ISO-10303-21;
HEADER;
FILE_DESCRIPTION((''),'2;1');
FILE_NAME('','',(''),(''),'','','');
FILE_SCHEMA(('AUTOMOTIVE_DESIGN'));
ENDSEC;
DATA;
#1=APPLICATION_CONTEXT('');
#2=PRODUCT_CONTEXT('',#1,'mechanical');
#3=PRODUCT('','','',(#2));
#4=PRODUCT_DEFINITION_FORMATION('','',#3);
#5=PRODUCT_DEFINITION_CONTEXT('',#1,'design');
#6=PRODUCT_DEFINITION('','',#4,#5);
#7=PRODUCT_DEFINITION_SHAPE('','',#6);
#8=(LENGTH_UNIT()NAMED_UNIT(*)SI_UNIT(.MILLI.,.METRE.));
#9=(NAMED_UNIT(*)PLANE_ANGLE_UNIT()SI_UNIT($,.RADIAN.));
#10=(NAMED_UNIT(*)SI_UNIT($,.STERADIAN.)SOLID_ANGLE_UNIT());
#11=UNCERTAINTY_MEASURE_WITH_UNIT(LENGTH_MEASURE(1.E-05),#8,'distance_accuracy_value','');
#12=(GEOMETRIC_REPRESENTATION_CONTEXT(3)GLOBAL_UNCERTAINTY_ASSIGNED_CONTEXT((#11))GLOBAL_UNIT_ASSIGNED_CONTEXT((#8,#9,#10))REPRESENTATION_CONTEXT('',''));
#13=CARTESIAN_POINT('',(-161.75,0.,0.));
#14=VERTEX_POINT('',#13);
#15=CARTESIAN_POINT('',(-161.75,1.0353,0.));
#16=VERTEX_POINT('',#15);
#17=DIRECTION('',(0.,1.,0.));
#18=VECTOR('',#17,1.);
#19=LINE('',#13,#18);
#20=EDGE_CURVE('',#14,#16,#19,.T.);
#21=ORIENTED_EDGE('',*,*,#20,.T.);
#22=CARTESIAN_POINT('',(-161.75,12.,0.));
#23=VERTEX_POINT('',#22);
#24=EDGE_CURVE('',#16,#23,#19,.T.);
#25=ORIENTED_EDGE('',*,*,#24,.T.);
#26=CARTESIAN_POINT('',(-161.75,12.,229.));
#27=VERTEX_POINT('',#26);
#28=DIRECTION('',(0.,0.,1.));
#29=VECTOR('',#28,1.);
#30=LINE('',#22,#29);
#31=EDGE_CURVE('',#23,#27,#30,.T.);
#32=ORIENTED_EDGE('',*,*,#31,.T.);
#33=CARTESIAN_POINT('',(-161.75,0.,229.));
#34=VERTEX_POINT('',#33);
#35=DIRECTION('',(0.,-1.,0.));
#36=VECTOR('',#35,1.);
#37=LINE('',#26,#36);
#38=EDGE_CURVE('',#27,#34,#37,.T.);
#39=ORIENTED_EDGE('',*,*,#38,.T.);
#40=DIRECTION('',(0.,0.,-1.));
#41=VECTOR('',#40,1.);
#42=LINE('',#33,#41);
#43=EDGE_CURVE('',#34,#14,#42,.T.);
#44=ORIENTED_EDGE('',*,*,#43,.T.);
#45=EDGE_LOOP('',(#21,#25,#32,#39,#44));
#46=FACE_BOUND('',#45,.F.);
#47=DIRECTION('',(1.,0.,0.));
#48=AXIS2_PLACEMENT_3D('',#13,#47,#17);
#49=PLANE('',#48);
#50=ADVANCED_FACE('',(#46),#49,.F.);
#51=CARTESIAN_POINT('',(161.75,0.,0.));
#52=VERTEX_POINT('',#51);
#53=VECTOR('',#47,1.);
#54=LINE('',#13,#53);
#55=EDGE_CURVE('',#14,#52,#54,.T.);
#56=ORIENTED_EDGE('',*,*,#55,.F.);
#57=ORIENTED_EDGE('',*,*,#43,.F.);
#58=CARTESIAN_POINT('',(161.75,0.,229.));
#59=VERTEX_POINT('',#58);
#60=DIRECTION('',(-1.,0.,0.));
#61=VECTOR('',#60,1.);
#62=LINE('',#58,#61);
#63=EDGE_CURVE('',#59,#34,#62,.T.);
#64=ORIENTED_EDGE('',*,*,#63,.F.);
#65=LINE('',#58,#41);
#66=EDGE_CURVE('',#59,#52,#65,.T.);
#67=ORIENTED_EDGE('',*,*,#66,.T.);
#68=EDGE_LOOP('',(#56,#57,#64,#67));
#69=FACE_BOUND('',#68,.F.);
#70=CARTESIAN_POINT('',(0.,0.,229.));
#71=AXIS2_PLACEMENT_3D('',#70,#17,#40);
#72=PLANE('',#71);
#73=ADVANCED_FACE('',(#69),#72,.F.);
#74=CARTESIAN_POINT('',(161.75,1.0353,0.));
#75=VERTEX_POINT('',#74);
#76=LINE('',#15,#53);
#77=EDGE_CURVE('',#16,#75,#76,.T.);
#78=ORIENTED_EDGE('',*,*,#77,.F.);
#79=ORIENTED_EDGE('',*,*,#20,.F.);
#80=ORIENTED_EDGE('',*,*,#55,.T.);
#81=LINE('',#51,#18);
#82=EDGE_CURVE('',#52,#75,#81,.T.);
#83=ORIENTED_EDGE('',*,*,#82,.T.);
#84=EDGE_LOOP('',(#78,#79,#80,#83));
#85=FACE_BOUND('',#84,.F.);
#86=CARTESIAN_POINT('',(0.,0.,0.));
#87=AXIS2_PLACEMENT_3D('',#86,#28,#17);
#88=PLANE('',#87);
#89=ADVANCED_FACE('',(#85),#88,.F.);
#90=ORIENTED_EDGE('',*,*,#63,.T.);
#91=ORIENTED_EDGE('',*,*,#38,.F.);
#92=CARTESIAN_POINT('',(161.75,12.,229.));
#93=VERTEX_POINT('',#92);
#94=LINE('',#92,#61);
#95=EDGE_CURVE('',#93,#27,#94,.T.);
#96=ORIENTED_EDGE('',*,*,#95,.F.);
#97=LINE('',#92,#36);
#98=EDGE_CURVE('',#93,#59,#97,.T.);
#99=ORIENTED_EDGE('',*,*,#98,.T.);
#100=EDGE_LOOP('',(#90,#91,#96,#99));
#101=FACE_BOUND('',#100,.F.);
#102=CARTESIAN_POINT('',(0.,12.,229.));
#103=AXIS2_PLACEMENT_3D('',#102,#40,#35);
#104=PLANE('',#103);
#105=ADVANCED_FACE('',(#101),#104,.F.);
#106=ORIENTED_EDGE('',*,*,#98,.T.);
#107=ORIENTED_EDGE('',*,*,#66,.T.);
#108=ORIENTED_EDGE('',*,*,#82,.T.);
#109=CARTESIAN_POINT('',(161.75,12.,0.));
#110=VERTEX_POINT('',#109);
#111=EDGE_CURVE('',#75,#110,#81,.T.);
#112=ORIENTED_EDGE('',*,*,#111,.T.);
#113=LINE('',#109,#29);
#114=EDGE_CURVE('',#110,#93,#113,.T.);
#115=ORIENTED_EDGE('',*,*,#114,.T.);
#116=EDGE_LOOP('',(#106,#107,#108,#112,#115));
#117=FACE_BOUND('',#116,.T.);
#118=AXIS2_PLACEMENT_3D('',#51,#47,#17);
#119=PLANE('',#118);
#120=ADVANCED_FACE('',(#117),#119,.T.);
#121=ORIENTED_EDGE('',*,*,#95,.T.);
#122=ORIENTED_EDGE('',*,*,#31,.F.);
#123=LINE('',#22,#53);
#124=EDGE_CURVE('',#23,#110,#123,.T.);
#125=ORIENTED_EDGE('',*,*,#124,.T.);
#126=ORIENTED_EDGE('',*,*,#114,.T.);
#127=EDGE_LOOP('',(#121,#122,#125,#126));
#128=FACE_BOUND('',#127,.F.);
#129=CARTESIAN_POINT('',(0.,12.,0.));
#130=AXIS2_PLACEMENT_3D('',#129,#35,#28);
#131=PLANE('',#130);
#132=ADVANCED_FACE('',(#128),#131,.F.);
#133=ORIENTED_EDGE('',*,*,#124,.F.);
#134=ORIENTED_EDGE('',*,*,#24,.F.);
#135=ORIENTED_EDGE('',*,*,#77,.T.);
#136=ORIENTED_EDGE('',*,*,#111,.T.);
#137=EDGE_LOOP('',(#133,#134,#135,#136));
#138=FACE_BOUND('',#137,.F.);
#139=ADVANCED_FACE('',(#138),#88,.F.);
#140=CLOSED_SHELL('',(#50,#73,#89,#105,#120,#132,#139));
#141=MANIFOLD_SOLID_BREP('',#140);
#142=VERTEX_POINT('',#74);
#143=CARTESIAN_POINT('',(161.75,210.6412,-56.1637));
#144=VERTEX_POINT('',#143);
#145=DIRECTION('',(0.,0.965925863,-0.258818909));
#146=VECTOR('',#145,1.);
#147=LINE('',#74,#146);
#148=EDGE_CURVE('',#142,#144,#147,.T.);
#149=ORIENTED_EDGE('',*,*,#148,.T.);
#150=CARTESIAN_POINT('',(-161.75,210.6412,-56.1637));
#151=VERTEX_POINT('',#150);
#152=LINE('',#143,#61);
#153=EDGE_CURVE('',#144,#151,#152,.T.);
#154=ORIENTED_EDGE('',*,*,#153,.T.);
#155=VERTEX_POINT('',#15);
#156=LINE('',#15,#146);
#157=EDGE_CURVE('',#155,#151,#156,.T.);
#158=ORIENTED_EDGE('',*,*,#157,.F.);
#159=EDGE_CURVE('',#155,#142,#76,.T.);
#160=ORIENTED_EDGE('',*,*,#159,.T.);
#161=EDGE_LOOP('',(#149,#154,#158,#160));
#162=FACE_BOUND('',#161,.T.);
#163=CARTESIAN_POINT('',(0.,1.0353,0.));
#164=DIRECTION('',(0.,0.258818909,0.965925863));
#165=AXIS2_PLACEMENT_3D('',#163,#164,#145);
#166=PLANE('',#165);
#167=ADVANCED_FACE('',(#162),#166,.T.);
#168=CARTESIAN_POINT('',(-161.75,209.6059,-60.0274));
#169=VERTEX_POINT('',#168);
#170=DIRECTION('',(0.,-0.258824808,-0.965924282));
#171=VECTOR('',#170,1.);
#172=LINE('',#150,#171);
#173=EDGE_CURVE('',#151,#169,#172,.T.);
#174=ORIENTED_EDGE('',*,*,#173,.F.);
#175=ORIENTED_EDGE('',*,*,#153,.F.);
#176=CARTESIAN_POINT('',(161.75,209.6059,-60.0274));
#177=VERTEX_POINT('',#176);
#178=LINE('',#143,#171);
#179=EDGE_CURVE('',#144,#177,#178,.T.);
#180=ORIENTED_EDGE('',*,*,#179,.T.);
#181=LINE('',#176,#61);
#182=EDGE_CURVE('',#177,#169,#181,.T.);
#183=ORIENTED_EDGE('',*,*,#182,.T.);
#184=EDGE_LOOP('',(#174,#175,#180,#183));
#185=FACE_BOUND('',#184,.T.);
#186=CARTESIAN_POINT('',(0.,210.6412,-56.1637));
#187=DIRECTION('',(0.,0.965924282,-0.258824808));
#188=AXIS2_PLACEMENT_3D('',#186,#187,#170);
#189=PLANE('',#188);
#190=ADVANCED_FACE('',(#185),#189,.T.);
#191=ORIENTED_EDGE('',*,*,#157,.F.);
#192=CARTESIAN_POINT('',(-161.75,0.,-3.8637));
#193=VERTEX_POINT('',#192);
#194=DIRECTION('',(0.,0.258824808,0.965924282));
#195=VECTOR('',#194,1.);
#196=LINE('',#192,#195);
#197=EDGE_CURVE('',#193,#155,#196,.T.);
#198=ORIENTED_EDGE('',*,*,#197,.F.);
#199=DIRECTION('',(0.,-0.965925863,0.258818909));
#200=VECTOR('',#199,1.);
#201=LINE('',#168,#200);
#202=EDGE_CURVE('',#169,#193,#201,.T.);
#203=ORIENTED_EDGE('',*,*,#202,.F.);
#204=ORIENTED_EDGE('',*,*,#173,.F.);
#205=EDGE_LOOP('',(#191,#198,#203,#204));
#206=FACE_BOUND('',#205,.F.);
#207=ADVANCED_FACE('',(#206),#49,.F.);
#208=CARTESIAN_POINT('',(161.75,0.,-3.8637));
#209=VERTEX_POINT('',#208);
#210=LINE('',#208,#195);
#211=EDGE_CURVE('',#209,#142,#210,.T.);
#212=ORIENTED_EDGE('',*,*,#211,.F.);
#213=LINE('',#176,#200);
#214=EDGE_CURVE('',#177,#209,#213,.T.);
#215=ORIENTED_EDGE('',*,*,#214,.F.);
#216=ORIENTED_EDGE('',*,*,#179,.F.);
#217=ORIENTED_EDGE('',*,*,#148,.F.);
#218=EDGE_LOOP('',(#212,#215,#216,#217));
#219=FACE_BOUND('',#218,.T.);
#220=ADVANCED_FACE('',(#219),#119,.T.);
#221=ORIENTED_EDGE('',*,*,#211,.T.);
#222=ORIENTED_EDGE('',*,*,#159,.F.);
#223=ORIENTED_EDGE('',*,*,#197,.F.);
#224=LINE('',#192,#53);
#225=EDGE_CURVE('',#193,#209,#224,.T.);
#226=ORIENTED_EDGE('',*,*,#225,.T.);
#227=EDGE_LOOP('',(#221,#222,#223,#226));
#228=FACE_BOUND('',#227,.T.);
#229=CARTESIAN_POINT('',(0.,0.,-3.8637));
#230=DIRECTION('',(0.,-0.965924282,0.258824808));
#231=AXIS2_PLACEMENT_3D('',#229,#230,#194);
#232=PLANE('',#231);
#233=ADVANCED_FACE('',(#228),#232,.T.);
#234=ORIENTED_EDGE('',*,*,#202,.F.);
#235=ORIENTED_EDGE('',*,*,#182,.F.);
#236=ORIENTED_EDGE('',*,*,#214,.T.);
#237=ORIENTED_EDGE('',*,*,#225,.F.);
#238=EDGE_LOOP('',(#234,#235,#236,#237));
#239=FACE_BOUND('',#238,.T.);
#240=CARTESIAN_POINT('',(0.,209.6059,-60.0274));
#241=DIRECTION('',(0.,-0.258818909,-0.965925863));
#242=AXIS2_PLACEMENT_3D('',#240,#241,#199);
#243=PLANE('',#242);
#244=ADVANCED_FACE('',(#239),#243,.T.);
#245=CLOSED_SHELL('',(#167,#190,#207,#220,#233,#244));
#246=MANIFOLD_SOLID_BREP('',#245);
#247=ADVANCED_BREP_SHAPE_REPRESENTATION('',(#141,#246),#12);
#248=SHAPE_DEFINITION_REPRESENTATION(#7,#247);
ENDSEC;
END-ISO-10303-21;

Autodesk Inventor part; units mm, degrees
ref_plane "YZ Plane" through (0, 0, 0) normal (1, 0, 0) x (0, 1, 0)
ref_plane "XZ Plane" through (0, 0, 0) normal (0, 1, 0) x (-1, 0, 0)
ref_plane "XY Plane" through (0, 0, 0) normal (0, 0, 1) x (1, 0, 0)
sketch "Sketch1" plane through (0, 0, 0) normal (1, 0, 0) x (0, 1, 0)
  line L0 (1.0353, 0) -> (210.6412, -56.1637)
  line L1 (210.6412, -56.1637) -> (209.6059, -60.0274)
  line L2 (209.6059, -60.0274) -> (0, -3.8637)
  line L3 (0, -3.8637) -> (1.0353, 0)
  line L4 (0, -72.0329) -> (0, 12.0055) construction
  line L5 (-42.1282, 0) -> (252.7694, 0) construction
  point P0 (0, 0)
  dimension "d0" = 217
  dimension "d1" = 4
  dimension "d2" = 75
extrude "Extrusion1" add sketch "Sketch1" along normal mid plane 323.5
sketch "Sketch2" plane through (0, 0, 0) normal (1, 0, 0) x (0, 1, 0)
  line L0 (0, 0) -> (12, 0)
  line L1 (12, 0) -> (12, 229)
  line L2 (12, 229) -> (0, 229)
  line L3 (0, 229) -> (0, 0)
  dimension "d5" = 229
  dimension "d6" = 12
extrude "Extrusion2" add sketch "Sketch2" along normal mid plane 323.5
properties part number "laptop" material "PC/ABS Plastic"
